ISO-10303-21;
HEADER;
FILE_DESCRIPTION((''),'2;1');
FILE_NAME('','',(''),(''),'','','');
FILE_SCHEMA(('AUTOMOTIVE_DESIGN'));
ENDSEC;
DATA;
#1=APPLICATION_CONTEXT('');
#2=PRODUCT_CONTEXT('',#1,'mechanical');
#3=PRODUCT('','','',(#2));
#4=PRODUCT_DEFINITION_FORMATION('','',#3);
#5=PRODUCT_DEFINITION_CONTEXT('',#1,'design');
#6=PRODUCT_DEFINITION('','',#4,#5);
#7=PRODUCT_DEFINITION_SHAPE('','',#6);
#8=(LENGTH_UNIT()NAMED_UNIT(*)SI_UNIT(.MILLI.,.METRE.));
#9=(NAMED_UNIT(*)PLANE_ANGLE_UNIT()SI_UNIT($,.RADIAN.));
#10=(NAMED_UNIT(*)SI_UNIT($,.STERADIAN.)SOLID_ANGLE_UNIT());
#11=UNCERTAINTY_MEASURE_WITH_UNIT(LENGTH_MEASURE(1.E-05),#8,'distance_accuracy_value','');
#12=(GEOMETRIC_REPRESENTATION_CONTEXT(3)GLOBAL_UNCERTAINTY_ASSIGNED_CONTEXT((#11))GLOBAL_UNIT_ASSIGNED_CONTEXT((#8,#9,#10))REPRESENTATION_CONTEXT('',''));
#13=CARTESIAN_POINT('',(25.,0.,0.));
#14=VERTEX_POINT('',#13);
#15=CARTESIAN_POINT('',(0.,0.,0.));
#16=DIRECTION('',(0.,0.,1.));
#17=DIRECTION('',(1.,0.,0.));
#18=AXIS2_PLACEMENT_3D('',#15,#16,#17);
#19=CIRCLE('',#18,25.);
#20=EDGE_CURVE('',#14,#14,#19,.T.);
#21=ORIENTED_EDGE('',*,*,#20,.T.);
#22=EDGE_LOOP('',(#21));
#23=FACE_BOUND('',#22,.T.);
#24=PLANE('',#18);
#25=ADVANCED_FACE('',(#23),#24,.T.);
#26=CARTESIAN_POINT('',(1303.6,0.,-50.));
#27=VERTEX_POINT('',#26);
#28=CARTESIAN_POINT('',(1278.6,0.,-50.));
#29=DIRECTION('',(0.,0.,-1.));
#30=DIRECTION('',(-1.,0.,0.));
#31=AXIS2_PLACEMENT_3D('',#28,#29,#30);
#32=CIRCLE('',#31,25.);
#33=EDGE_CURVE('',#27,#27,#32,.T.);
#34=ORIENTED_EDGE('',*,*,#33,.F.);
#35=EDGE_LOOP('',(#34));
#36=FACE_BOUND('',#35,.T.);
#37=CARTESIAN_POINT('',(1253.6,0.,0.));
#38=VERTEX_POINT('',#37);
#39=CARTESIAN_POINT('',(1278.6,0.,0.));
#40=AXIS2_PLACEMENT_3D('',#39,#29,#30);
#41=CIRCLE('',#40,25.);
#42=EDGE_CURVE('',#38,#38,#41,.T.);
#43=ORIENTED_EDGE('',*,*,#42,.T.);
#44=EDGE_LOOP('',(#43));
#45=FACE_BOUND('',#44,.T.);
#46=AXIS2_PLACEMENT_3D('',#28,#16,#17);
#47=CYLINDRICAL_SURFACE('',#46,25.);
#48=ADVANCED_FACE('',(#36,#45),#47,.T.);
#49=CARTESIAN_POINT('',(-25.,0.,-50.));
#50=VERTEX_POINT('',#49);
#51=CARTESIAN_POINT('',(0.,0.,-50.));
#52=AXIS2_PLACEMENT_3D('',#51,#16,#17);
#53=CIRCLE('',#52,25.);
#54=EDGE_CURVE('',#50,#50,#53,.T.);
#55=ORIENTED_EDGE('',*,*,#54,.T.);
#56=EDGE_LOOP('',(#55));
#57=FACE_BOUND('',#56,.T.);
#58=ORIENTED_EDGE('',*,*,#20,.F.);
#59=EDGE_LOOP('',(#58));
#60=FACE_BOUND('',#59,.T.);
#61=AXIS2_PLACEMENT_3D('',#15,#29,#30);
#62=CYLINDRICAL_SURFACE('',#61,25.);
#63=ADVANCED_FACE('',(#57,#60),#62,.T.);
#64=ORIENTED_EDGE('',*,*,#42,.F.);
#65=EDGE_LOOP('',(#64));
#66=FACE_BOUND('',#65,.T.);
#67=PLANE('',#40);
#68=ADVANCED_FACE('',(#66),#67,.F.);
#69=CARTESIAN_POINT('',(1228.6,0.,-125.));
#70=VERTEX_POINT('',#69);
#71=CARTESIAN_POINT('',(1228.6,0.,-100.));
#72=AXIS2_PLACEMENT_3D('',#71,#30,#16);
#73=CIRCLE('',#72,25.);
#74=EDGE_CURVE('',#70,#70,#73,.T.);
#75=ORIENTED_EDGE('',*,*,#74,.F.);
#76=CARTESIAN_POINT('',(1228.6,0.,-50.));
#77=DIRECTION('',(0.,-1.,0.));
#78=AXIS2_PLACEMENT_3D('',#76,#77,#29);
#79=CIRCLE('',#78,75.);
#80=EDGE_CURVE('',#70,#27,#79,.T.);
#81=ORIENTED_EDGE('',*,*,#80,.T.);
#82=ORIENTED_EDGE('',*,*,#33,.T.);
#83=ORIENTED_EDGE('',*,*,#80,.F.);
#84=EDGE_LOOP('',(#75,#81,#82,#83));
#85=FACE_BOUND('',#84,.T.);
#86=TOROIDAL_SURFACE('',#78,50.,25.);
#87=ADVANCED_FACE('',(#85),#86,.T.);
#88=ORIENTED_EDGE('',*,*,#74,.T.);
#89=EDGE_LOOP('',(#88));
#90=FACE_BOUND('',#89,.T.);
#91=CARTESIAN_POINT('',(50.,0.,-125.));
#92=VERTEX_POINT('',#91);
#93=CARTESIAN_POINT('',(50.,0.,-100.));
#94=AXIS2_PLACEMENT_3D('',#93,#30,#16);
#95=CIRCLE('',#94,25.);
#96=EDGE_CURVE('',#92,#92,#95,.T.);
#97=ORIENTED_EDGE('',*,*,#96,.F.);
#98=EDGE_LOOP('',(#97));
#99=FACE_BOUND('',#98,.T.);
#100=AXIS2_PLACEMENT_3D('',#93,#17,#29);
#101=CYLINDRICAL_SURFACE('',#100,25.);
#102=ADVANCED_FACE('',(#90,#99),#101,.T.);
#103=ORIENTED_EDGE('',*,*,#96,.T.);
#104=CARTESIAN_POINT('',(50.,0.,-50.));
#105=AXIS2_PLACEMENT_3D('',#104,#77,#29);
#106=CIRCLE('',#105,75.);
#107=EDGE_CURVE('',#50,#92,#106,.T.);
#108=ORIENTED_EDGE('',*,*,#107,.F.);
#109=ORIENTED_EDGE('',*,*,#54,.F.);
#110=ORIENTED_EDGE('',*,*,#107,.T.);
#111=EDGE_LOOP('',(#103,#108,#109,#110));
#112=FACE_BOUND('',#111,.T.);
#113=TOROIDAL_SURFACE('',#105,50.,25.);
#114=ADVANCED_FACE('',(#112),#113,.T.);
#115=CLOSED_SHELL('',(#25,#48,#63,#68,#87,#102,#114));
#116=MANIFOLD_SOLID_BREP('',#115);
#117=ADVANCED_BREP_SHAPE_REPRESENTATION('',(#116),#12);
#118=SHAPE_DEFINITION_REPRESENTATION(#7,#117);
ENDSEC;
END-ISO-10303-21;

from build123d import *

# Parameters (mm, degrees)
SKETCH2_R = 25


with BuildPart() as part:
    # Sweep1: sweep along a path in Sketch1
    with BuildLine(Plane(origin=(0, 0, 0), x_dir=(1, 0, 0), z_dir=(0, 1, 0))) as sweep1_path:
        Line((0, 0), (0, 50))
        ThreePointArc((0, 50), (14.644660941, 85.355339059), (50, 100))
        Line((50, 100), (1228.6, 100))
        ThreePointArc((1228.6, 100), (1263.955339059, 85.355339059), (1278.6, 50))
        Line((1278.6, 50), (1278.6, 0))
    # Sketch2 → Sweep1 (sweep)
    with BuildSketch(Plane.XY):
        Circle(SKETCH2_R)
    sweep(path=sweep1_path.line)


solid = part.part
